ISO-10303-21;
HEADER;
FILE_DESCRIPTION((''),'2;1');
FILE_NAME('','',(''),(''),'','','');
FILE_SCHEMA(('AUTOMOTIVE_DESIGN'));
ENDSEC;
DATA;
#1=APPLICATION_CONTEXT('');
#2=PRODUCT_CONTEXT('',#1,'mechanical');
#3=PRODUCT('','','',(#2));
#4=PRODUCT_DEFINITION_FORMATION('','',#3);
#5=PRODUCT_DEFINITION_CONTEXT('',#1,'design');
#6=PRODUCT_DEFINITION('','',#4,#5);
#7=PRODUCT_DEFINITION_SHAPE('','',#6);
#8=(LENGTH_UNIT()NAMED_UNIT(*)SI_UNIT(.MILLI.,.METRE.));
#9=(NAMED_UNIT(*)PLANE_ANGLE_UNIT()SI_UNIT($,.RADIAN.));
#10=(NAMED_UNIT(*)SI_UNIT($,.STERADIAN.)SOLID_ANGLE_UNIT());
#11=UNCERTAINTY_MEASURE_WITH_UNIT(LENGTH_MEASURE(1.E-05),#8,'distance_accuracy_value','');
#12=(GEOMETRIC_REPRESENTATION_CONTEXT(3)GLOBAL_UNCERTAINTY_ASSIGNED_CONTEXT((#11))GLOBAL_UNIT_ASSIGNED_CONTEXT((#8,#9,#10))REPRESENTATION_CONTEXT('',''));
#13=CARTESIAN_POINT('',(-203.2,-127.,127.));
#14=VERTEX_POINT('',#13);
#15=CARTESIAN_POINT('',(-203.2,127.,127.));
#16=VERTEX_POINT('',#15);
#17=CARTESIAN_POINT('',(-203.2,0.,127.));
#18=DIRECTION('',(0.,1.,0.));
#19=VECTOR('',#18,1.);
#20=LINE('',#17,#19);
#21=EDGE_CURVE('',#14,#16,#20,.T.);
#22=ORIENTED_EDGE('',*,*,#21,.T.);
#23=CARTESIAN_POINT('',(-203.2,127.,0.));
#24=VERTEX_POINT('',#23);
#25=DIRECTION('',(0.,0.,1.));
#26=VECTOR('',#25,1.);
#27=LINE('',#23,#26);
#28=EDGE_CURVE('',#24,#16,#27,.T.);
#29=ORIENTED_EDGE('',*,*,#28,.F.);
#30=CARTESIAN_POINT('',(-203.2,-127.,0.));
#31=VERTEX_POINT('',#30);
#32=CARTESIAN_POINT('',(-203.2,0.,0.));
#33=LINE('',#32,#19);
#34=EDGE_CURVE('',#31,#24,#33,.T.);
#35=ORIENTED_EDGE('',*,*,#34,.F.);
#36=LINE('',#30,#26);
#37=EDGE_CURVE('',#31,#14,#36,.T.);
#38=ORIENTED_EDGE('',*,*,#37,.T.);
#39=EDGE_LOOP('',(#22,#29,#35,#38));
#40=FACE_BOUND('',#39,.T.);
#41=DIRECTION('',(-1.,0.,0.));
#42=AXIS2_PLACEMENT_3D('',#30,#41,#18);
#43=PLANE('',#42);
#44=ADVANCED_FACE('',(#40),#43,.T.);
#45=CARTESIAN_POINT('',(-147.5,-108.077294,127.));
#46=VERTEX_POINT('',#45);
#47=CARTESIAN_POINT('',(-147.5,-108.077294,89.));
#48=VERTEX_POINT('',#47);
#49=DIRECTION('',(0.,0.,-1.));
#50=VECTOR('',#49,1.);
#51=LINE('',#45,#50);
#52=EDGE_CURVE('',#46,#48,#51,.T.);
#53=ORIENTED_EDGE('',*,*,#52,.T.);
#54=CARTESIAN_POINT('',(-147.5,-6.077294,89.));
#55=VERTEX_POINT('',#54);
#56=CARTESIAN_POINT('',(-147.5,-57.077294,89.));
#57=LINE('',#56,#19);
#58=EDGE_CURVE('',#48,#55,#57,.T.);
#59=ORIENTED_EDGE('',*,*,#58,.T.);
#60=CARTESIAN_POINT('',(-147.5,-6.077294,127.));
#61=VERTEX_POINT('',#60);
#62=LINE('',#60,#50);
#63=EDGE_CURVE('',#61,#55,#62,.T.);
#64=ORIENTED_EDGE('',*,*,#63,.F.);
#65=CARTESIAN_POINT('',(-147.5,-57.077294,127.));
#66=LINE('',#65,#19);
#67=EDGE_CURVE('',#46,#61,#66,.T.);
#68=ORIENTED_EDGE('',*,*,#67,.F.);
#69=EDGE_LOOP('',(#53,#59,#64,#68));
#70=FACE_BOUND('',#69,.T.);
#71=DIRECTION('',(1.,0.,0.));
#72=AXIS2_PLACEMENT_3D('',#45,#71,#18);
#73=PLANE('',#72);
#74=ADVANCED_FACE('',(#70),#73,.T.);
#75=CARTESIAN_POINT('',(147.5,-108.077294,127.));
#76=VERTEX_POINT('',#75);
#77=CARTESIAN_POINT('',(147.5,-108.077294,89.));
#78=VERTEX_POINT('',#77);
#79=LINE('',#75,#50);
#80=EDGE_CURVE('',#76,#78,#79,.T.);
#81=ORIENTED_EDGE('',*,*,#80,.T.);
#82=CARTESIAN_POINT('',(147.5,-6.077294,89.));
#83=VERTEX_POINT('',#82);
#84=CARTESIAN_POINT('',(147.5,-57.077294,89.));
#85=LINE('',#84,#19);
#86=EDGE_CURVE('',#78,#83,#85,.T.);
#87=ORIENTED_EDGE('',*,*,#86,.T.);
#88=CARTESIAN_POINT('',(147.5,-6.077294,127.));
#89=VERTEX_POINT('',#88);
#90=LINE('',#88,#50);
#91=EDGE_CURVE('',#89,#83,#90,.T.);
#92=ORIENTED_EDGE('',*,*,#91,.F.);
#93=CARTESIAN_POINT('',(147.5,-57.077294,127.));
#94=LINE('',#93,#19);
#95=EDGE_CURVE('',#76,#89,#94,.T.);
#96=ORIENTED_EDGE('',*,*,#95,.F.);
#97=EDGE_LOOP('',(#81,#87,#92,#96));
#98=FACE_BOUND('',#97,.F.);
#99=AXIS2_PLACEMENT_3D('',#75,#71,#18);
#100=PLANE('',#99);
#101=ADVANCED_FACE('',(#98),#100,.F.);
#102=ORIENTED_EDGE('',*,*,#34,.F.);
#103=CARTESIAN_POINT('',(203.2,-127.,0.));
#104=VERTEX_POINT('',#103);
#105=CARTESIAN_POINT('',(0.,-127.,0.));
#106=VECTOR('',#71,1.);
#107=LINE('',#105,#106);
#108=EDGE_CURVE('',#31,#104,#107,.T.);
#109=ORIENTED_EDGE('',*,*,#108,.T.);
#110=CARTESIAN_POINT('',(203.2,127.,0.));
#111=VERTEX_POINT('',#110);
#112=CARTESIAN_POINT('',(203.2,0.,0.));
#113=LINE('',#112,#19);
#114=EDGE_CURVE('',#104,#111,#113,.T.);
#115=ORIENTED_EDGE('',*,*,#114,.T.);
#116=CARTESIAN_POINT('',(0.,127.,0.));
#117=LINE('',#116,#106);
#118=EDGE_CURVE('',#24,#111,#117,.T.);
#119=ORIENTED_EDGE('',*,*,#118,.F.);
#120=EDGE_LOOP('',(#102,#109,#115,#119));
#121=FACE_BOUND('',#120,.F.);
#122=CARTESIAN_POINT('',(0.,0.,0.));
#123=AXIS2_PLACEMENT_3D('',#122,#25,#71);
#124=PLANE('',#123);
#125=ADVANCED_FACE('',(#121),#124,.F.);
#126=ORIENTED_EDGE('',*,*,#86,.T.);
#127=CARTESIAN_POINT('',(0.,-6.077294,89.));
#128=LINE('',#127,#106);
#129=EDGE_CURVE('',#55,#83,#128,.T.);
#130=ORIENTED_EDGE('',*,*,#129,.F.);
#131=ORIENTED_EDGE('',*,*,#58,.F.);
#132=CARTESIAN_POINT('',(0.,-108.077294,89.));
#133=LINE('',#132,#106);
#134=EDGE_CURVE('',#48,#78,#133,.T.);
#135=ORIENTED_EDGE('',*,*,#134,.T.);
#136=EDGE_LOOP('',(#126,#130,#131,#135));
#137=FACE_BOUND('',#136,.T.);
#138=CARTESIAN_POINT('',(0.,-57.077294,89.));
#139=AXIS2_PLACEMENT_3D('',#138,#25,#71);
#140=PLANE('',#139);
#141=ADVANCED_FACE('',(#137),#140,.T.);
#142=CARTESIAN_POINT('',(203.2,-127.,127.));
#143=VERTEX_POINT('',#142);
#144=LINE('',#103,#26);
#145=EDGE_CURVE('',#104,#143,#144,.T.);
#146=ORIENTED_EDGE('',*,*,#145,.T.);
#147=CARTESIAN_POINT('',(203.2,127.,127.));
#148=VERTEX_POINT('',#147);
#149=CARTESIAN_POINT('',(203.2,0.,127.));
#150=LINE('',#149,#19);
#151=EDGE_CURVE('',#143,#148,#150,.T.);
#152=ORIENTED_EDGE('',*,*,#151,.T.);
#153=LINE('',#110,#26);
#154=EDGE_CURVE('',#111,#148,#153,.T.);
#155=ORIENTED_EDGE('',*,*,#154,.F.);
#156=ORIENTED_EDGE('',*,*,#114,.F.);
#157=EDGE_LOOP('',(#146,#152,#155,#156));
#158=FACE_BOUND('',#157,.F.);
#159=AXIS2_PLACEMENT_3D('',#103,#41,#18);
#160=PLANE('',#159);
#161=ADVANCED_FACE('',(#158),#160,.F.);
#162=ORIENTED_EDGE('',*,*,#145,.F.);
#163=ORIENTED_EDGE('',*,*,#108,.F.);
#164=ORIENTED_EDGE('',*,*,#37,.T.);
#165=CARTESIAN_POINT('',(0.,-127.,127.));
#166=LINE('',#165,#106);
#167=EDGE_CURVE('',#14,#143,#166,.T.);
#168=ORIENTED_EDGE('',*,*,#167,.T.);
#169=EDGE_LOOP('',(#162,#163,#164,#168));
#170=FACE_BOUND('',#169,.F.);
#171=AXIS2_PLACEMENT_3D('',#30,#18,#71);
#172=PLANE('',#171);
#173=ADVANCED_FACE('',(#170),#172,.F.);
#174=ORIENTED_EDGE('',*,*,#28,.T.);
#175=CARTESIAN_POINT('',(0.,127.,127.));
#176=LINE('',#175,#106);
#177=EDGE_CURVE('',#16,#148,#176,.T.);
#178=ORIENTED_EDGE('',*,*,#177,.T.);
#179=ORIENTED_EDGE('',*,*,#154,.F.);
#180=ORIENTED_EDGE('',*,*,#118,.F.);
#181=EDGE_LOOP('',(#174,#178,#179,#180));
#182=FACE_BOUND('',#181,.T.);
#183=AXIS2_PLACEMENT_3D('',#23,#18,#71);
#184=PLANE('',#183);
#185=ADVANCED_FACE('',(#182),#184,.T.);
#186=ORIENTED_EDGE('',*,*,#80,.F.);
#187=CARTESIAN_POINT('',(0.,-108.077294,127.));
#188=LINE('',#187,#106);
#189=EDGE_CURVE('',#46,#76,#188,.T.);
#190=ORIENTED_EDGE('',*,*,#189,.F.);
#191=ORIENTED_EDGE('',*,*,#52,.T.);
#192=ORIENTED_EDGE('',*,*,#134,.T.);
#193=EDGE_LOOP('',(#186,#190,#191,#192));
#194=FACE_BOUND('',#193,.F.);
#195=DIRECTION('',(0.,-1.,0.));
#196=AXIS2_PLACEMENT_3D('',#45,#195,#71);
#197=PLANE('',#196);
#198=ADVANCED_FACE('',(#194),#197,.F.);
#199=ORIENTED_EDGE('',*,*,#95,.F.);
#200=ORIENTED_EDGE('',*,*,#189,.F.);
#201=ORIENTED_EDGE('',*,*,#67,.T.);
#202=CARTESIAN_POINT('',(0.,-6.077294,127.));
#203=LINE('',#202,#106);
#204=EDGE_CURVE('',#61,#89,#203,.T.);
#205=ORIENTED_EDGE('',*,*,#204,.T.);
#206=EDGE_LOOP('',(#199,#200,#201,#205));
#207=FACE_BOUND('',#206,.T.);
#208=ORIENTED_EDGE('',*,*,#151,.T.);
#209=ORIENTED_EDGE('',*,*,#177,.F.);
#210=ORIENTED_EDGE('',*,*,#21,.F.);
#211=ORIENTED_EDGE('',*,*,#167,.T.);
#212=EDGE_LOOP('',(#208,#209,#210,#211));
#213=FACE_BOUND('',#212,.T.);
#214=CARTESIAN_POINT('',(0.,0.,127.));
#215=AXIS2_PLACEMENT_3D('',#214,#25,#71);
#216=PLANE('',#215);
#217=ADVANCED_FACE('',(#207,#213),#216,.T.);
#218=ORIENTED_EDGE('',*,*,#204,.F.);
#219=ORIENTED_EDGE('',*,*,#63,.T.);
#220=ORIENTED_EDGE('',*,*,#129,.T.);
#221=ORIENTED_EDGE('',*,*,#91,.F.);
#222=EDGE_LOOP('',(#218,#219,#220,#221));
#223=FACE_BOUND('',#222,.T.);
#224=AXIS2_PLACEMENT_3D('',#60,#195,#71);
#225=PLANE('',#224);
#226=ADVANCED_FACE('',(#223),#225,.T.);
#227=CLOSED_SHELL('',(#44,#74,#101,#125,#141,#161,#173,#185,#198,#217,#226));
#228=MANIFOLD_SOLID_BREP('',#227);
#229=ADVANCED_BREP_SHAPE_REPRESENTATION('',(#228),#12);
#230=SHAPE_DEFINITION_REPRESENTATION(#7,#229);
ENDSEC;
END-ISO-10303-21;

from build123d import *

# Parameters (mm, degrees)
SKETCH_W     = 406.4
SKETCH_H     = 254
PAD_DEPTH    = 127
SKETCH001_W  = 295
SKETCH001_H  = 102
POCKET_DEPTH = 38


with BuildPart() as part:
    # Sketch → Pad (new body)
    with BuildSketch(Plane.XY):
        Rectangle(SKETCH_W, SKETCH_H)
    extrude(amount=PAD_DEPTH)

    # Sketch001 → Pocket (cut)
    with BuildSketch(Plane.XY.offset(127)):
        with Locations((0, -57.077294)):
            Rectangle(SKETCH001_W, SKETCH001_H)
    extrude(amount=-POCKET_DEPTH, mode=Mode.SUBTRACT)


solid = part.part
